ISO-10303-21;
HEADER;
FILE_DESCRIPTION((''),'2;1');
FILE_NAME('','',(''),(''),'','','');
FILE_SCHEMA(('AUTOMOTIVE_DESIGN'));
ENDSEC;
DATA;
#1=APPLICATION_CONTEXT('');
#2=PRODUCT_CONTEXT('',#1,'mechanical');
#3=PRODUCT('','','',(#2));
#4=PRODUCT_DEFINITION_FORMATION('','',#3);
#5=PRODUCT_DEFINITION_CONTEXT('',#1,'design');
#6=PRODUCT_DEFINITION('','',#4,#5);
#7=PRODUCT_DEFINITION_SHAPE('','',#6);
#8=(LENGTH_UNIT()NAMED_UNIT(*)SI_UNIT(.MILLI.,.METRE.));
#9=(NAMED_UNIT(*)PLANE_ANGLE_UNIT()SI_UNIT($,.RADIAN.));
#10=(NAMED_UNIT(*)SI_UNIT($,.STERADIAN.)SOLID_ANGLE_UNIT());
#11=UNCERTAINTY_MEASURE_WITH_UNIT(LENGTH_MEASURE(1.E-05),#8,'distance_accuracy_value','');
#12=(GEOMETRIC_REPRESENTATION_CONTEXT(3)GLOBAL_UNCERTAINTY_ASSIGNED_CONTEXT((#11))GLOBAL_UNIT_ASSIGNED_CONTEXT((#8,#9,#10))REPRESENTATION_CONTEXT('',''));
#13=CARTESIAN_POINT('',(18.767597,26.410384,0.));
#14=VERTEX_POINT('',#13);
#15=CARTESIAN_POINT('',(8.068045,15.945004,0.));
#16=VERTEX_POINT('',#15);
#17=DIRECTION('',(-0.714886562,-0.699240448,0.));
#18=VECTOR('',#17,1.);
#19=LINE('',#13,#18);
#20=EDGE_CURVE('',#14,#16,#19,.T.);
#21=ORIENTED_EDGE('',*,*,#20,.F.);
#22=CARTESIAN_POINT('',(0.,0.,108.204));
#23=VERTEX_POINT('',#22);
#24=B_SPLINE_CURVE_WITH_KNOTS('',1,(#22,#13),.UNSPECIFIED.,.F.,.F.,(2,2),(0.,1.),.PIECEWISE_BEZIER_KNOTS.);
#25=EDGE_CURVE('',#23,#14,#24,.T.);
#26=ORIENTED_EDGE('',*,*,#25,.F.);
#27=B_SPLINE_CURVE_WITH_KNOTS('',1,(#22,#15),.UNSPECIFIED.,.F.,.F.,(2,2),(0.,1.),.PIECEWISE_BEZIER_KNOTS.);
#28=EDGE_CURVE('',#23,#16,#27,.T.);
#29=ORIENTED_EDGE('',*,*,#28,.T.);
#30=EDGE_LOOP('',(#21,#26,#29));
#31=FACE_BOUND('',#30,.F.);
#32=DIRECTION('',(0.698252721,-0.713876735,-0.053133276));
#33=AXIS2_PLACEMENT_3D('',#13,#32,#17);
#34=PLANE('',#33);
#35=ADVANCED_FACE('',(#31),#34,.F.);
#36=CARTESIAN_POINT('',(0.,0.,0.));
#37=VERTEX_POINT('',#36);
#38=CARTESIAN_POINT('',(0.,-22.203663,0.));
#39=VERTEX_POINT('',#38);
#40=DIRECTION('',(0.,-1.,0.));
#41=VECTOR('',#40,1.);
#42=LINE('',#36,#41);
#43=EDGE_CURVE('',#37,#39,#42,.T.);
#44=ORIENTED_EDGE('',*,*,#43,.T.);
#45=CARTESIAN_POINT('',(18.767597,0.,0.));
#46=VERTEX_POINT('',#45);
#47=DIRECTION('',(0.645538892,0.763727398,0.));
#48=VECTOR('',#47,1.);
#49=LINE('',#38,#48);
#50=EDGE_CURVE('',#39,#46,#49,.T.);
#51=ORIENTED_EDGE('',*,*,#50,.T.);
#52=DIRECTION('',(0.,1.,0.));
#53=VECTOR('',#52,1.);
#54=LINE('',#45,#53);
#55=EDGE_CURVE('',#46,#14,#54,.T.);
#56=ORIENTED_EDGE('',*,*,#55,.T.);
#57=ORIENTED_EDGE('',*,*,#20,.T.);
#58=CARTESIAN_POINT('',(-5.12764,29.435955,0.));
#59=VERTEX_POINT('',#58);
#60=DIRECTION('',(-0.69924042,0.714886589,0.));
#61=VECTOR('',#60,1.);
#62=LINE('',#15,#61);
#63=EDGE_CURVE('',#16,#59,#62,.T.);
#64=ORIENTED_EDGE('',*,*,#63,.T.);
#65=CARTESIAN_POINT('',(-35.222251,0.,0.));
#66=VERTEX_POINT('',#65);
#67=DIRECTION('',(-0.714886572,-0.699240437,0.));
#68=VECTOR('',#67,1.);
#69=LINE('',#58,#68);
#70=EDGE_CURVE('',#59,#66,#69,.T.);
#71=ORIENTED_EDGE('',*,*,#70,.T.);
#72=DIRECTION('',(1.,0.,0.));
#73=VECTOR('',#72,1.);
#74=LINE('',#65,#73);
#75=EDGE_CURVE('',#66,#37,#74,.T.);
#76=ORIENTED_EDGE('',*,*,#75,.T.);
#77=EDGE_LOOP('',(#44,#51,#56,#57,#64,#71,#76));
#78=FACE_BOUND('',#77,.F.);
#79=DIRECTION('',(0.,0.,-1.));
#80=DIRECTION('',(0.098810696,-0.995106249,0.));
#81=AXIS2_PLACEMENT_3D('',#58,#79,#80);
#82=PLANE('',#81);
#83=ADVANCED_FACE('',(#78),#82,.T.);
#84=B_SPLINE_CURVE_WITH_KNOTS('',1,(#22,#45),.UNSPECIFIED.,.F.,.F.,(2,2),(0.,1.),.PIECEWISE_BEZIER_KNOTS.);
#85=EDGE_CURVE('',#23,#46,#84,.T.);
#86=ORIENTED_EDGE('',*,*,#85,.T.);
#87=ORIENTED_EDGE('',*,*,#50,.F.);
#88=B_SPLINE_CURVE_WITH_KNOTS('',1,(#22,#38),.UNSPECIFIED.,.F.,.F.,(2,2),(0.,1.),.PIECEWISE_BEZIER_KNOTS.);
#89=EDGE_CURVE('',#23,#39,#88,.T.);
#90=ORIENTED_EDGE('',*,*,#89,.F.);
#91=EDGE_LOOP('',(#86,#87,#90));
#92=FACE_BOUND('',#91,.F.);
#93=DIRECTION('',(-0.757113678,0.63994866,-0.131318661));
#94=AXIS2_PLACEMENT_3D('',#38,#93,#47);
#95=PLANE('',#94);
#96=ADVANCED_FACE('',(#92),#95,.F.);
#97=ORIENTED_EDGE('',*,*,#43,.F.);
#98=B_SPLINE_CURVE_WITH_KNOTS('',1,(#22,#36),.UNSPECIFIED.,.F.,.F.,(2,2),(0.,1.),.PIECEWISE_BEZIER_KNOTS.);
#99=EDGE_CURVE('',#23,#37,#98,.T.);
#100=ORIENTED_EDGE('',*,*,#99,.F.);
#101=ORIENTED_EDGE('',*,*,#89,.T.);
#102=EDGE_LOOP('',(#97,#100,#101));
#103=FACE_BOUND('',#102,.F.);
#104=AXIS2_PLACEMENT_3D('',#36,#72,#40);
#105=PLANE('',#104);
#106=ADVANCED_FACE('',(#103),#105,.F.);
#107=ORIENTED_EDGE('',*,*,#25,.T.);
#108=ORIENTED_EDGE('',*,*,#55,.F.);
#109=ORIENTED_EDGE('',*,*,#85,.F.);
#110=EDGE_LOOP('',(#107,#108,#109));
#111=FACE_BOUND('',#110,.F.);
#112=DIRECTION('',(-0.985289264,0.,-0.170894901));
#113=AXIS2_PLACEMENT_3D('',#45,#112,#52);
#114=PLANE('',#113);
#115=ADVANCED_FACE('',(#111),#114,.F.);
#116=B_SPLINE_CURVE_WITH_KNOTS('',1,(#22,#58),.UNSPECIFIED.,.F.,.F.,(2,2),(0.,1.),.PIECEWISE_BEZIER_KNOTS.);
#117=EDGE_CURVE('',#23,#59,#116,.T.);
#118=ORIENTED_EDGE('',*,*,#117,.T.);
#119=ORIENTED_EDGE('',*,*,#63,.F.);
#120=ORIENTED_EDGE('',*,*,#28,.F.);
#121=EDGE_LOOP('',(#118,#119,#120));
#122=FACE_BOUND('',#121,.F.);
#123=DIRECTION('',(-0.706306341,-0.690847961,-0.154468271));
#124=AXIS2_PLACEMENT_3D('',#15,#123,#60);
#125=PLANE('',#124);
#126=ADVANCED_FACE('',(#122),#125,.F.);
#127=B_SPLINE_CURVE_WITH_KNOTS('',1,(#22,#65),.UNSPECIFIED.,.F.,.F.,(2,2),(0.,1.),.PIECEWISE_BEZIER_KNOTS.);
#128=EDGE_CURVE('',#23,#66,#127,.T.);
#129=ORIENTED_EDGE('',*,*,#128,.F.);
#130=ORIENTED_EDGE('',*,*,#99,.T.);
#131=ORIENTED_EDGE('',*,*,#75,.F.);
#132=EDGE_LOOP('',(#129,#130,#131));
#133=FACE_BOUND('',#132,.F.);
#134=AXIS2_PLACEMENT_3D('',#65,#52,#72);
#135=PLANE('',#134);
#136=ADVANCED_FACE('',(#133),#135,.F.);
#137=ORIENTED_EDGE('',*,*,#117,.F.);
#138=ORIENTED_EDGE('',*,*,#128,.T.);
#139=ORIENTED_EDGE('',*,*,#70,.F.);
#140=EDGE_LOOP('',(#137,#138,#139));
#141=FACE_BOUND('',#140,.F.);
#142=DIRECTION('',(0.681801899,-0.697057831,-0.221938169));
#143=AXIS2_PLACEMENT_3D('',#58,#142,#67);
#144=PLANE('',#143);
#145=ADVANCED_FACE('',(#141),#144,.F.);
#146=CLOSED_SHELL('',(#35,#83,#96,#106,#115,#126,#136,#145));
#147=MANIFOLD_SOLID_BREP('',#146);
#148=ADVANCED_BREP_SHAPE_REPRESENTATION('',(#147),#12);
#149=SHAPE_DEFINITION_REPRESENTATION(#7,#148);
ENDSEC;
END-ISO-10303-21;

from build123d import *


with BuildPart() as f3:
    # F0 (on Top) → F3 section 0
    with BuildSketch(Plane.XY, mode=Mode.PRIVATE) as f3_s0:
        Polygon((-5.12764, 29.435955), (-35.222251, 0), (0, 0), (0, -22.203663), (18.767597, 0), (18.767597, 26.410384), (8.068045, 15.945004), align=None)
    loft([Vertex(0, 0, 108.204), f3_s0.sketch])


solid = f3.part
